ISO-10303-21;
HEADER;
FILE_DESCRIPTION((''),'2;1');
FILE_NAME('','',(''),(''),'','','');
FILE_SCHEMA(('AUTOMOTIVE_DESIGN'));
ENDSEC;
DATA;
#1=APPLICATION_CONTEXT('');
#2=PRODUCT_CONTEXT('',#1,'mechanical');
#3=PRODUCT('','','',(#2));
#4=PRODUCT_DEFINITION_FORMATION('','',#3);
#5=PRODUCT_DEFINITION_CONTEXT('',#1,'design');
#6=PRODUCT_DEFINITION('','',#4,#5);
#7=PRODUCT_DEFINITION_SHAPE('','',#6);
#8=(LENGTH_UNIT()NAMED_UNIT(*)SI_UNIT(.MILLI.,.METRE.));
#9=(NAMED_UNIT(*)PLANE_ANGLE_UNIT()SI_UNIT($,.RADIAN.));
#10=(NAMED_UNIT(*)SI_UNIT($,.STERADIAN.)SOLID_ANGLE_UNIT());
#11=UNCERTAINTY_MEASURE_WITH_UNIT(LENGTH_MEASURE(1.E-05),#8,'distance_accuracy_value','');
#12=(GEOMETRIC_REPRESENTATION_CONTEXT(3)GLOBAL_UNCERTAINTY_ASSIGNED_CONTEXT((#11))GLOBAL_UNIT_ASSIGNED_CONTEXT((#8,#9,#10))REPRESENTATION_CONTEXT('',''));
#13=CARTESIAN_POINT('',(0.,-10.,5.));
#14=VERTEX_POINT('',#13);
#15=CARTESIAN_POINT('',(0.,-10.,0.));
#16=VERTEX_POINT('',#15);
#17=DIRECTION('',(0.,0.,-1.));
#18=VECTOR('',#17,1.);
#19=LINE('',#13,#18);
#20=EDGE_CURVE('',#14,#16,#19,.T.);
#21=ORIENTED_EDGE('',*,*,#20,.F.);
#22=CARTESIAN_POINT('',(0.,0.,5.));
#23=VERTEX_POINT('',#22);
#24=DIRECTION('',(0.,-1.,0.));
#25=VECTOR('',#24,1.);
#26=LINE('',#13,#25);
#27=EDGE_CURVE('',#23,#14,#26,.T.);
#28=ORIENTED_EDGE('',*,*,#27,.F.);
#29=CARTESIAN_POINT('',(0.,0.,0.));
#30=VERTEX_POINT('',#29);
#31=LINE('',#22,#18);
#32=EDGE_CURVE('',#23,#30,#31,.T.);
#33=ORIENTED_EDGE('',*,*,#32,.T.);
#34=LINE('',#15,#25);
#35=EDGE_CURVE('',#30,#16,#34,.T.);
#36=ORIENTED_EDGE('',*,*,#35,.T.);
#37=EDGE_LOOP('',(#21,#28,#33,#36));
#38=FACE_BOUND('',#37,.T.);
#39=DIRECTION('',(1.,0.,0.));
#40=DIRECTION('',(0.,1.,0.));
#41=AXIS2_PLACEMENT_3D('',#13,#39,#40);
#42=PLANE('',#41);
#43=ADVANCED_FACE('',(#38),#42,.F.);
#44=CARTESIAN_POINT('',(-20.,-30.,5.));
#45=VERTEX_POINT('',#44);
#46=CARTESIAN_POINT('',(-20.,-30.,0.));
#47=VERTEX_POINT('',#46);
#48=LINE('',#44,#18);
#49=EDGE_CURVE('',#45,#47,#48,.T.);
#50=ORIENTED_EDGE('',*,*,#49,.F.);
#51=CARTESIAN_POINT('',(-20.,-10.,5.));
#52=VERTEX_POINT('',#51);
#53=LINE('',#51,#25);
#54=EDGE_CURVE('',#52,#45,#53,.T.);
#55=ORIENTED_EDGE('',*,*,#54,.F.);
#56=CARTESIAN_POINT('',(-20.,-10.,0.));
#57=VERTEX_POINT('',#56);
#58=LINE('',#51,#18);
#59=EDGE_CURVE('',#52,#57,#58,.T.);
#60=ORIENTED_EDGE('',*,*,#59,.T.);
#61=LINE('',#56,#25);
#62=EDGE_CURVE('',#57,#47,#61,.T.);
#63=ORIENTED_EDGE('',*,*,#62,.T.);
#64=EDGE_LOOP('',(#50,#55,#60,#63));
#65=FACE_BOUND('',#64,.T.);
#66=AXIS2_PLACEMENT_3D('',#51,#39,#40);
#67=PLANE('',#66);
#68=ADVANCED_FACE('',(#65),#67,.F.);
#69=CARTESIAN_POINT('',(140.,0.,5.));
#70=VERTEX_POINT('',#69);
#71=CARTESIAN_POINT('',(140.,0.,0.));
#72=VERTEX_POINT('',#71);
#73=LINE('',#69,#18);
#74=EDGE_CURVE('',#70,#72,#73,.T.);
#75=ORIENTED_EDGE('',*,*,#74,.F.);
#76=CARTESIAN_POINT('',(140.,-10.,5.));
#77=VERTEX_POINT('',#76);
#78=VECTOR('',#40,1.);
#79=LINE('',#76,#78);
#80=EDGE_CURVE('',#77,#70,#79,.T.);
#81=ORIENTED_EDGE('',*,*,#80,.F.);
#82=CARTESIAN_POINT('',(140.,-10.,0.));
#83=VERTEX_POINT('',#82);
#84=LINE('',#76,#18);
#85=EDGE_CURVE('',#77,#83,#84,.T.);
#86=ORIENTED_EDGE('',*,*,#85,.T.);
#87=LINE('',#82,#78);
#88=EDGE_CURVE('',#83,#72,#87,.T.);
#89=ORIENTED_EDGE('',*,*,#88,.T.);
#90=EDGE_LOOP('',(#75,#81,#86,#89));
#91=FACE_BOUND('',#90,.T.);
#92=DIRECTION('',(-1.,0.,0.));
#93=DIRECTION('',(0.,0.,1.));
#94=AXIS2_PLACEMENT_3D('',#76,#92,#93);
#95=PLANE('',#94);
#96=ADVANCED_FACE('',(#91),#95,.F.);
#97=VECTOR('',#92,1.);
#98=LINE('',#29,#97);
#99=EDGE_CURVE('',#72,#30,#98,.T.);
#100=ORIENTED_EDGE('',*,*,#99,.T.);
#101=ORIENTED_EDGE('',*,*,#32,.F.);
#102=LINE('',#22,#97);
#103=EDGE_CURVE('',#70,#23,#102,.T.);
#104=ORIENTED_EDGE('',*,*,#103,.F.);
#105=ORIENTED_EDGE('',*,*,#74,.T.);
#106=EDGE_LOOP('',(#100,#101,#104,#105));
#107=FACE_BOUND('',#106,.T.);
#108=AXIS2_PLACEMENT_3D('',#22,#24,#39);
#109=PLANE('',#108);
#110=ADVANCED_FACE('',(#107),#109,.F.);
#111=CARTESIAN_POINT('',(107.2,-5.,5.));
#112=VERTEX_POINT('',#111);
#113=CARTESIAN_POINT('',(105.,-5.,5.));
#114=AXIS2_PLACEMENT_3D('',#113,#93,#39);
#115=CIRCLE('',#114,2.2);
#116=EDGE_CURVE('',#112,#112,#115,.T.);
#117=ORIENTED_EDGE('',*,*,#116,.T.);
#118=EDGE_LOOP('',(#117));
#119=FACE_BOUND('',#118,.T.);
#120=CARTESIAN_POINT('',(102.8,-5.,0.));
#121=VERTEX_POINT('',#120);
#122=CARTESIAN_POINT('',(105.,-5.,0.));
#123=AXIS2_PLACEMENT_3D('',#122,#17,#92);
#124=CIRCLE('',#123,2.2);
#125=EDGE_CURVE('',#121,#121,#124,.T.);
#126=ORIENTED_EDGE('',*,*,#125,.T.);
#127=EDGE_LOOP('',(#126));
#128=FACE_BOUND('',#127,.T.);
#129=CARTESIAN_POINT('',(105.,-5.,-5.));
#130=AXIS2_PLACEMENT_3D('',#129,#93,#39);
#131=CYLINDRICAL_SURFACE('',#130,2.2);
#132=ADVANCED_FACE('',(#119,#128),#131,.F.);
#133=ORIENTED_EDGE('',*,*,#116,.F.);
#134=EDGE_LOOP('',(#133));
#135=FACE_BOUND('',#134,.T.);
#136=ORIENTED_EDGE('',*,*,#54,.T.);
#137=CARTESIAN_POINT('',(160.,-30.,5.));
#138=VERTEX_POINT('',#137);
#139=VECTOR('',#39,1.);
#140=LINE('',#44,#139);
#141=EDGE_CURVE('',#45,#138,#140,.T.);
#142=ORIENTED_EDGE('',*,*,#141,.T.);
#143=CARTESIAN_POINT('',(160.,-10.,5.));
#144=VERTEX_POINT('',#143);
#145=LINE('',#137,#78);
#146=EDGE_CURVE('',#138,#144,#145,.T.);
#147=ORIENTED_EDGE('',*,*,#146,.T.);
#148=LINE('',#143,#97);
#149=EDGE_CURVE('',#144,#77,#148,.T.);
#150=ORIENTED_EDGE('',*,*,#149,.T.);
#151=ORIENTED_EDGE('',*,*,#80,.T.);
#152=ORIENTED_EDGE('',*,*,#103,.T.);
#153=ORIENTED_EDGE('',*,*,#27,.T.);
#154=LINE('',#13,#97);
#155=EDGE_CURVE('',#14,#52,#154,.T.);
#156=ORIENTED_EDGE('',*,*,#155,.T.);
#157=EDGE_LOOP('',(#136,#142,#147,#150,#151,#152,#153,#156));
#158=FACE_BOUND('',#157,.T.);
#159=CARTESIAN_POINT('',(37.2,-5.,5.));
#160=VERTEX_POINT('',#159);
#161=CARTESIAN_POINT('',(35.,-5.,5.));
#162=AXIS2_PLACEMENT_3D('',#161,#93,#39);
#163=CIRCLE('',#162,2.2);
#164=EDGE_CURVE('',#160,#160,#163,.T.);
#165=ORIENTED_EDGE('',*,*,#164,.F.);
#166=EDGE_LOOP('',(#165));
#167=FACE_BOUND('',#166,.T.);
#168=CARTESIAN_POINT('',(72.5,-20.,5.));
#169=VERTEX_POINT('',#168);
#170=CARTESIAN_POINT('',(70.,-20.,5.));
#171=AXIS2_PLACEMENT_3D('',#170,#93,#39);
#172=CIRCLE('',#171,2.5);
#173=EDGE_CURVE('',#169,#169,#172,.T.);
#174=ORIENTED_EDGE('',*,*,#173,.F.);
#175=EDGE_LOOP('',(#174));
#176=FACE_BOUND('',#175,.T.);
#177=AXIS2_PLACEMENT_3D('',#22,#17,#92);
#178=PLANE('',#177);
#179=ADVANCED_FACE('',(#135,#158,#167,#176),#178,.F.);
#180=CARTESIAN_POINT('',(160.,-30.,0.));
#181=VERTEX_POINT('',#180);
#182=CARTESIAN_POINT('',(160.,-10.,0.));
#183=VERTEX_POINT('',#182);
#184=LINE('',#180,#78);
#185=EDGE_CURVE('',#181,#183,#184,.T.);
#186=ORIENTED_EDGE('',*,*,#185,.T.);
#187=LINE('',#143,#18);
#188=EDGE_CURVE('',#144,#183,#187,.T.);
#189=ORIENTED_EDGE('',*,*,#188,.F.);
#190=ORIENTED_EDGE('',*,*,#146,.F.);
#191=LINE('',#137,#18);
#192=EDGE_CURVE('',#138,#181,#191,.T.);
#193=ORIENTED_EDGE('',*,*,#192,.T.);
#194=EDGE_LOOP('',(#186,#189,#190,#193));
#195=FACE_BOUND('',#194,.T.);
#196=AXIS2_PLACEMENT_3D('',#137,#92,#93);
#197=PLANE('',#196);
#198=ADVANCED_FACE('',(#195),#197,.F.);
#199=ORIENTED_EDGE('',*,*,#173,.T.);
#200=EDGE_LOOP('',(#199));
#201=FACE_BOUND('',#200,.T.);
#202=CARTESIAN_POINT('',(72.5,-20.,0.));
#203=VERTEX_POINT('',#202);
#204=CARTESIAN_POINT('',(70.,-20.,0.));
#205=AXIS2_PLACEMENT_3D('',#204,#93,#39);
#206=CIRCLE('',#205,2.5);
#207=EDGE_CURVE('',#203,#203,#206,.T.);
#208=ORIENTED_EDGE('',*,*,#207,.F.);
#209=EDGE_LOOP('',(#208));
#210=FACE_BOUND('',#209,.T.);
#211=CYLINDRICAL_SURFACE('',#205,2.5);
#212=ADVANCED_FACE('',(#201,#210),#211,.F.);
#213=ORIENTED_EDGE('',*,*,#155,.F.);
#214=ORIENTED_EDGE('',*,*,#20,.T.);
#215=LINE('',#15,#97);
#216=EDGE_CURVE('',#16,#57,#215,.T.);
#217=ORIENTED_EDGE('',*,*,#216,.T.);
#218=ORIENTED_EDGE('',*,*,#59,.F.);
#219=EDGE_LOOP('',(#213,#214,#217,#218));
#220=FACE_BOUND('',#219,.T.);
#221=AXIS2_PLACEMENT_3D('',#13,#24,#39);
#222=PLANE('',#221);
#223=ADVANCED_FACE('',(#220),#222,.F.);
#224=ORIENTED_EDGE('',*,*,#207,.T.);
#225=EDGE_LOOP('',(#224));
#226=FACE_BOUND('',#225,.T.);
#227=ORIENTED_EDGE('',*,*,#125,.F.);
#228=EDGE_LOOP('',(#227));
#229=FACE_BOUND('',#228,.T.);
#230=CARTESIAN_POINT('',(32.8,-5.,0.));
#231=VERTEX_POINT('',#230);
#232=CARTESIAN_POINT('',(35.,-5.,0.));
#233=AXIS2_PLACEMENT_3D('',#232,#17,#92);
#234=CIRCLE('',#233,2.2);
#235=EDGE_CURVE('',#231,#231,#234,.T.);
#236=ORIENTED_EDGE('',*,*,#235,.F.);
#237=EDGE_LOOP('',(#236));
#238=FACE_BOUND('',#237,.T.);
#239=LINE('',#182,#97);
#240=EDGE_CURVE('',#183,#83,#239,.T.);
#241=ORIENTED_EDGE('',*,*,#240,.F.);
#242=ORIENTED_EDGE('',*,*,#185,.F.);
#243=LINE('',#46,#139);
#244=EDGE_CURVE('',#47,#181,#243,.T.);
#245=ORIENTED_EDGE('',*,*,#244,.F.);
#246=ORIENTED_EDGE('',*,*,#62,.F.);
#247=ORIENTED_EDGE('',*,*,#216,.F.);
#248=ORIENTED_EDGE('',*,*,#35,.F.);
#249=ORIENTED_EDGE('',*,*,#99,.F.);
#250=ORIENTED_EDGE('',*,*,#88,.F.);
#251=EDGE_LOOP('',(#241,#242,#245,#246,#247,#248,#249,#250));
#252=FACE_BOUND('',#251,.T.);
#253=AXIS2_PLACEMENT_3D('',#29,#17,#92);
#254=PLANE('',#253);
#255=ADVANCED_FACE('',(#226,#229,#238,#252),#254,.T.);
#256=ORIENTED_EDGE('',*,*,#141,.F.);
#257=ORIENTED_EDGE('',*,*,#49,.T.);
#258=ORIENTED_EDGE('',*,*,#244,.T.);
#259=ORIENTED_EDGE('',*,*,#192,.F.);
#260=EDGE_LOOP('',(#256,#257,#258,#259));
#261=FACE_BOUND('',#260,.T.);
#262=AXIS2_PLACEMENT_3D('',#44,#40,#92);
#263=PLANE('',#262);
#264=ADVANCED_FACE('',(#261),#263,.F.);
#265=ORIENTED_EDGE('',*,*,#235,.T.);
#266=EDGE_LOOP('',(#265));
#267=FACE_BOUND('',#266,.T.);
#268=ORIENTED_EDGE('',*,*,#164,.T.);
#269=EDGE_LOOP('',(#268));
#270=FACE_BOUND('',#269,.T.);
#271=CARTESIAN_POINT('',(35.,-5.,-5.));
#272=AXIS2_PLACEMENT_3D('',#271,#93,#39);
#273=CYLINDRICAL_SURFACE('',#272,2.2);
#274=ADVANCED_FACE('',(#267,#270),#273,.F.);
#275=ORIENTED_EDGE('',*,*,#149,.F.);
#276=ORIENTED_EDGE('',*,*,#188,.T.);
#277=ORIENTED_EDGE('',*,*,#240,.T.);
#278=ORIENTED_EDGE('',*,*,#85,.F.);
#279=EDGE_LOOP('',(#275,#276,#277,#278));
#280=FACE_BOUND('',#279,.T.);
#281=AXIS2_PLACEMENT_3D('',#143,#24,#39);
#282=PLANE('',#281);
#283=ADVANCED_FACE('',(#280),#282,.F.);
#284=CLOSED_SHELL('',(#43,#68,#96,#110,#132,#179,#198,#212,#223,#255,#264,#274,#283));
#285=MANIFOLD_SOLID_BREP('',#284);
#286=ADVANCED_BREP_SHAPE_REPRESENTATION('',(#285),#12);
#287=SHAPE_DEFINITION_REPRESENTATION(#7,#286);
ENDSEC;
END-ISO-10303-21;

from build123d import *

# Parameters (mm, degrees)
DODANIE_WYCI_GNI_CIE1_DEPTH = 5
SZKIC2_R                    = 2.2
WYTNIJ_WYCI_GNI_CIE1_DEPTH  = 10
SZKIC6_R                    = 2.5
WYTNIJ_WYCI_GNI_CIE3_DEPTH  = 163.864974749


with BuildPart() as part:
    # Szkic1 → Dodanie-wyciągnięcie1 (new body)
    with BuildSketch(Plane.XY):
        Polygon((0, -10), (-20, -10), (-20, -30), (160, -30), (160, -10), (140, -10), (140, 0), (0, 0), align=None)
    extrude(amount=DODANIE_WYCI_GNI_CIE1_DEPTH)

    # Szkic2 → Wytnij-wyciągnięcie1 (cut)
    with BuildSketch(Plane.XY.offset(5)):
        with Locations((35, -5)):
            Circle(SZKIC2_R)
        with Locations((105, -5)):
            Circle(SZKIC2_R)
    extrude(amount=-WYTNIJ_WYCI_GNI_CIE1_DEPTH, mode=Mode.SUBTRACT)

    # Szkic6 → Wytnij-wyciągnięcie3 (cut, through all)
    with BuildSketch(Plane.XY.offset(5)):
        with Locations((70, -20)):
            Circle(SZKIC6_R)
    extrude(amount=-WYTNIJ_WYCI_GNI_CIE3_DEPTH, mode=Mode.SUBTRACT)


solid = part.part
